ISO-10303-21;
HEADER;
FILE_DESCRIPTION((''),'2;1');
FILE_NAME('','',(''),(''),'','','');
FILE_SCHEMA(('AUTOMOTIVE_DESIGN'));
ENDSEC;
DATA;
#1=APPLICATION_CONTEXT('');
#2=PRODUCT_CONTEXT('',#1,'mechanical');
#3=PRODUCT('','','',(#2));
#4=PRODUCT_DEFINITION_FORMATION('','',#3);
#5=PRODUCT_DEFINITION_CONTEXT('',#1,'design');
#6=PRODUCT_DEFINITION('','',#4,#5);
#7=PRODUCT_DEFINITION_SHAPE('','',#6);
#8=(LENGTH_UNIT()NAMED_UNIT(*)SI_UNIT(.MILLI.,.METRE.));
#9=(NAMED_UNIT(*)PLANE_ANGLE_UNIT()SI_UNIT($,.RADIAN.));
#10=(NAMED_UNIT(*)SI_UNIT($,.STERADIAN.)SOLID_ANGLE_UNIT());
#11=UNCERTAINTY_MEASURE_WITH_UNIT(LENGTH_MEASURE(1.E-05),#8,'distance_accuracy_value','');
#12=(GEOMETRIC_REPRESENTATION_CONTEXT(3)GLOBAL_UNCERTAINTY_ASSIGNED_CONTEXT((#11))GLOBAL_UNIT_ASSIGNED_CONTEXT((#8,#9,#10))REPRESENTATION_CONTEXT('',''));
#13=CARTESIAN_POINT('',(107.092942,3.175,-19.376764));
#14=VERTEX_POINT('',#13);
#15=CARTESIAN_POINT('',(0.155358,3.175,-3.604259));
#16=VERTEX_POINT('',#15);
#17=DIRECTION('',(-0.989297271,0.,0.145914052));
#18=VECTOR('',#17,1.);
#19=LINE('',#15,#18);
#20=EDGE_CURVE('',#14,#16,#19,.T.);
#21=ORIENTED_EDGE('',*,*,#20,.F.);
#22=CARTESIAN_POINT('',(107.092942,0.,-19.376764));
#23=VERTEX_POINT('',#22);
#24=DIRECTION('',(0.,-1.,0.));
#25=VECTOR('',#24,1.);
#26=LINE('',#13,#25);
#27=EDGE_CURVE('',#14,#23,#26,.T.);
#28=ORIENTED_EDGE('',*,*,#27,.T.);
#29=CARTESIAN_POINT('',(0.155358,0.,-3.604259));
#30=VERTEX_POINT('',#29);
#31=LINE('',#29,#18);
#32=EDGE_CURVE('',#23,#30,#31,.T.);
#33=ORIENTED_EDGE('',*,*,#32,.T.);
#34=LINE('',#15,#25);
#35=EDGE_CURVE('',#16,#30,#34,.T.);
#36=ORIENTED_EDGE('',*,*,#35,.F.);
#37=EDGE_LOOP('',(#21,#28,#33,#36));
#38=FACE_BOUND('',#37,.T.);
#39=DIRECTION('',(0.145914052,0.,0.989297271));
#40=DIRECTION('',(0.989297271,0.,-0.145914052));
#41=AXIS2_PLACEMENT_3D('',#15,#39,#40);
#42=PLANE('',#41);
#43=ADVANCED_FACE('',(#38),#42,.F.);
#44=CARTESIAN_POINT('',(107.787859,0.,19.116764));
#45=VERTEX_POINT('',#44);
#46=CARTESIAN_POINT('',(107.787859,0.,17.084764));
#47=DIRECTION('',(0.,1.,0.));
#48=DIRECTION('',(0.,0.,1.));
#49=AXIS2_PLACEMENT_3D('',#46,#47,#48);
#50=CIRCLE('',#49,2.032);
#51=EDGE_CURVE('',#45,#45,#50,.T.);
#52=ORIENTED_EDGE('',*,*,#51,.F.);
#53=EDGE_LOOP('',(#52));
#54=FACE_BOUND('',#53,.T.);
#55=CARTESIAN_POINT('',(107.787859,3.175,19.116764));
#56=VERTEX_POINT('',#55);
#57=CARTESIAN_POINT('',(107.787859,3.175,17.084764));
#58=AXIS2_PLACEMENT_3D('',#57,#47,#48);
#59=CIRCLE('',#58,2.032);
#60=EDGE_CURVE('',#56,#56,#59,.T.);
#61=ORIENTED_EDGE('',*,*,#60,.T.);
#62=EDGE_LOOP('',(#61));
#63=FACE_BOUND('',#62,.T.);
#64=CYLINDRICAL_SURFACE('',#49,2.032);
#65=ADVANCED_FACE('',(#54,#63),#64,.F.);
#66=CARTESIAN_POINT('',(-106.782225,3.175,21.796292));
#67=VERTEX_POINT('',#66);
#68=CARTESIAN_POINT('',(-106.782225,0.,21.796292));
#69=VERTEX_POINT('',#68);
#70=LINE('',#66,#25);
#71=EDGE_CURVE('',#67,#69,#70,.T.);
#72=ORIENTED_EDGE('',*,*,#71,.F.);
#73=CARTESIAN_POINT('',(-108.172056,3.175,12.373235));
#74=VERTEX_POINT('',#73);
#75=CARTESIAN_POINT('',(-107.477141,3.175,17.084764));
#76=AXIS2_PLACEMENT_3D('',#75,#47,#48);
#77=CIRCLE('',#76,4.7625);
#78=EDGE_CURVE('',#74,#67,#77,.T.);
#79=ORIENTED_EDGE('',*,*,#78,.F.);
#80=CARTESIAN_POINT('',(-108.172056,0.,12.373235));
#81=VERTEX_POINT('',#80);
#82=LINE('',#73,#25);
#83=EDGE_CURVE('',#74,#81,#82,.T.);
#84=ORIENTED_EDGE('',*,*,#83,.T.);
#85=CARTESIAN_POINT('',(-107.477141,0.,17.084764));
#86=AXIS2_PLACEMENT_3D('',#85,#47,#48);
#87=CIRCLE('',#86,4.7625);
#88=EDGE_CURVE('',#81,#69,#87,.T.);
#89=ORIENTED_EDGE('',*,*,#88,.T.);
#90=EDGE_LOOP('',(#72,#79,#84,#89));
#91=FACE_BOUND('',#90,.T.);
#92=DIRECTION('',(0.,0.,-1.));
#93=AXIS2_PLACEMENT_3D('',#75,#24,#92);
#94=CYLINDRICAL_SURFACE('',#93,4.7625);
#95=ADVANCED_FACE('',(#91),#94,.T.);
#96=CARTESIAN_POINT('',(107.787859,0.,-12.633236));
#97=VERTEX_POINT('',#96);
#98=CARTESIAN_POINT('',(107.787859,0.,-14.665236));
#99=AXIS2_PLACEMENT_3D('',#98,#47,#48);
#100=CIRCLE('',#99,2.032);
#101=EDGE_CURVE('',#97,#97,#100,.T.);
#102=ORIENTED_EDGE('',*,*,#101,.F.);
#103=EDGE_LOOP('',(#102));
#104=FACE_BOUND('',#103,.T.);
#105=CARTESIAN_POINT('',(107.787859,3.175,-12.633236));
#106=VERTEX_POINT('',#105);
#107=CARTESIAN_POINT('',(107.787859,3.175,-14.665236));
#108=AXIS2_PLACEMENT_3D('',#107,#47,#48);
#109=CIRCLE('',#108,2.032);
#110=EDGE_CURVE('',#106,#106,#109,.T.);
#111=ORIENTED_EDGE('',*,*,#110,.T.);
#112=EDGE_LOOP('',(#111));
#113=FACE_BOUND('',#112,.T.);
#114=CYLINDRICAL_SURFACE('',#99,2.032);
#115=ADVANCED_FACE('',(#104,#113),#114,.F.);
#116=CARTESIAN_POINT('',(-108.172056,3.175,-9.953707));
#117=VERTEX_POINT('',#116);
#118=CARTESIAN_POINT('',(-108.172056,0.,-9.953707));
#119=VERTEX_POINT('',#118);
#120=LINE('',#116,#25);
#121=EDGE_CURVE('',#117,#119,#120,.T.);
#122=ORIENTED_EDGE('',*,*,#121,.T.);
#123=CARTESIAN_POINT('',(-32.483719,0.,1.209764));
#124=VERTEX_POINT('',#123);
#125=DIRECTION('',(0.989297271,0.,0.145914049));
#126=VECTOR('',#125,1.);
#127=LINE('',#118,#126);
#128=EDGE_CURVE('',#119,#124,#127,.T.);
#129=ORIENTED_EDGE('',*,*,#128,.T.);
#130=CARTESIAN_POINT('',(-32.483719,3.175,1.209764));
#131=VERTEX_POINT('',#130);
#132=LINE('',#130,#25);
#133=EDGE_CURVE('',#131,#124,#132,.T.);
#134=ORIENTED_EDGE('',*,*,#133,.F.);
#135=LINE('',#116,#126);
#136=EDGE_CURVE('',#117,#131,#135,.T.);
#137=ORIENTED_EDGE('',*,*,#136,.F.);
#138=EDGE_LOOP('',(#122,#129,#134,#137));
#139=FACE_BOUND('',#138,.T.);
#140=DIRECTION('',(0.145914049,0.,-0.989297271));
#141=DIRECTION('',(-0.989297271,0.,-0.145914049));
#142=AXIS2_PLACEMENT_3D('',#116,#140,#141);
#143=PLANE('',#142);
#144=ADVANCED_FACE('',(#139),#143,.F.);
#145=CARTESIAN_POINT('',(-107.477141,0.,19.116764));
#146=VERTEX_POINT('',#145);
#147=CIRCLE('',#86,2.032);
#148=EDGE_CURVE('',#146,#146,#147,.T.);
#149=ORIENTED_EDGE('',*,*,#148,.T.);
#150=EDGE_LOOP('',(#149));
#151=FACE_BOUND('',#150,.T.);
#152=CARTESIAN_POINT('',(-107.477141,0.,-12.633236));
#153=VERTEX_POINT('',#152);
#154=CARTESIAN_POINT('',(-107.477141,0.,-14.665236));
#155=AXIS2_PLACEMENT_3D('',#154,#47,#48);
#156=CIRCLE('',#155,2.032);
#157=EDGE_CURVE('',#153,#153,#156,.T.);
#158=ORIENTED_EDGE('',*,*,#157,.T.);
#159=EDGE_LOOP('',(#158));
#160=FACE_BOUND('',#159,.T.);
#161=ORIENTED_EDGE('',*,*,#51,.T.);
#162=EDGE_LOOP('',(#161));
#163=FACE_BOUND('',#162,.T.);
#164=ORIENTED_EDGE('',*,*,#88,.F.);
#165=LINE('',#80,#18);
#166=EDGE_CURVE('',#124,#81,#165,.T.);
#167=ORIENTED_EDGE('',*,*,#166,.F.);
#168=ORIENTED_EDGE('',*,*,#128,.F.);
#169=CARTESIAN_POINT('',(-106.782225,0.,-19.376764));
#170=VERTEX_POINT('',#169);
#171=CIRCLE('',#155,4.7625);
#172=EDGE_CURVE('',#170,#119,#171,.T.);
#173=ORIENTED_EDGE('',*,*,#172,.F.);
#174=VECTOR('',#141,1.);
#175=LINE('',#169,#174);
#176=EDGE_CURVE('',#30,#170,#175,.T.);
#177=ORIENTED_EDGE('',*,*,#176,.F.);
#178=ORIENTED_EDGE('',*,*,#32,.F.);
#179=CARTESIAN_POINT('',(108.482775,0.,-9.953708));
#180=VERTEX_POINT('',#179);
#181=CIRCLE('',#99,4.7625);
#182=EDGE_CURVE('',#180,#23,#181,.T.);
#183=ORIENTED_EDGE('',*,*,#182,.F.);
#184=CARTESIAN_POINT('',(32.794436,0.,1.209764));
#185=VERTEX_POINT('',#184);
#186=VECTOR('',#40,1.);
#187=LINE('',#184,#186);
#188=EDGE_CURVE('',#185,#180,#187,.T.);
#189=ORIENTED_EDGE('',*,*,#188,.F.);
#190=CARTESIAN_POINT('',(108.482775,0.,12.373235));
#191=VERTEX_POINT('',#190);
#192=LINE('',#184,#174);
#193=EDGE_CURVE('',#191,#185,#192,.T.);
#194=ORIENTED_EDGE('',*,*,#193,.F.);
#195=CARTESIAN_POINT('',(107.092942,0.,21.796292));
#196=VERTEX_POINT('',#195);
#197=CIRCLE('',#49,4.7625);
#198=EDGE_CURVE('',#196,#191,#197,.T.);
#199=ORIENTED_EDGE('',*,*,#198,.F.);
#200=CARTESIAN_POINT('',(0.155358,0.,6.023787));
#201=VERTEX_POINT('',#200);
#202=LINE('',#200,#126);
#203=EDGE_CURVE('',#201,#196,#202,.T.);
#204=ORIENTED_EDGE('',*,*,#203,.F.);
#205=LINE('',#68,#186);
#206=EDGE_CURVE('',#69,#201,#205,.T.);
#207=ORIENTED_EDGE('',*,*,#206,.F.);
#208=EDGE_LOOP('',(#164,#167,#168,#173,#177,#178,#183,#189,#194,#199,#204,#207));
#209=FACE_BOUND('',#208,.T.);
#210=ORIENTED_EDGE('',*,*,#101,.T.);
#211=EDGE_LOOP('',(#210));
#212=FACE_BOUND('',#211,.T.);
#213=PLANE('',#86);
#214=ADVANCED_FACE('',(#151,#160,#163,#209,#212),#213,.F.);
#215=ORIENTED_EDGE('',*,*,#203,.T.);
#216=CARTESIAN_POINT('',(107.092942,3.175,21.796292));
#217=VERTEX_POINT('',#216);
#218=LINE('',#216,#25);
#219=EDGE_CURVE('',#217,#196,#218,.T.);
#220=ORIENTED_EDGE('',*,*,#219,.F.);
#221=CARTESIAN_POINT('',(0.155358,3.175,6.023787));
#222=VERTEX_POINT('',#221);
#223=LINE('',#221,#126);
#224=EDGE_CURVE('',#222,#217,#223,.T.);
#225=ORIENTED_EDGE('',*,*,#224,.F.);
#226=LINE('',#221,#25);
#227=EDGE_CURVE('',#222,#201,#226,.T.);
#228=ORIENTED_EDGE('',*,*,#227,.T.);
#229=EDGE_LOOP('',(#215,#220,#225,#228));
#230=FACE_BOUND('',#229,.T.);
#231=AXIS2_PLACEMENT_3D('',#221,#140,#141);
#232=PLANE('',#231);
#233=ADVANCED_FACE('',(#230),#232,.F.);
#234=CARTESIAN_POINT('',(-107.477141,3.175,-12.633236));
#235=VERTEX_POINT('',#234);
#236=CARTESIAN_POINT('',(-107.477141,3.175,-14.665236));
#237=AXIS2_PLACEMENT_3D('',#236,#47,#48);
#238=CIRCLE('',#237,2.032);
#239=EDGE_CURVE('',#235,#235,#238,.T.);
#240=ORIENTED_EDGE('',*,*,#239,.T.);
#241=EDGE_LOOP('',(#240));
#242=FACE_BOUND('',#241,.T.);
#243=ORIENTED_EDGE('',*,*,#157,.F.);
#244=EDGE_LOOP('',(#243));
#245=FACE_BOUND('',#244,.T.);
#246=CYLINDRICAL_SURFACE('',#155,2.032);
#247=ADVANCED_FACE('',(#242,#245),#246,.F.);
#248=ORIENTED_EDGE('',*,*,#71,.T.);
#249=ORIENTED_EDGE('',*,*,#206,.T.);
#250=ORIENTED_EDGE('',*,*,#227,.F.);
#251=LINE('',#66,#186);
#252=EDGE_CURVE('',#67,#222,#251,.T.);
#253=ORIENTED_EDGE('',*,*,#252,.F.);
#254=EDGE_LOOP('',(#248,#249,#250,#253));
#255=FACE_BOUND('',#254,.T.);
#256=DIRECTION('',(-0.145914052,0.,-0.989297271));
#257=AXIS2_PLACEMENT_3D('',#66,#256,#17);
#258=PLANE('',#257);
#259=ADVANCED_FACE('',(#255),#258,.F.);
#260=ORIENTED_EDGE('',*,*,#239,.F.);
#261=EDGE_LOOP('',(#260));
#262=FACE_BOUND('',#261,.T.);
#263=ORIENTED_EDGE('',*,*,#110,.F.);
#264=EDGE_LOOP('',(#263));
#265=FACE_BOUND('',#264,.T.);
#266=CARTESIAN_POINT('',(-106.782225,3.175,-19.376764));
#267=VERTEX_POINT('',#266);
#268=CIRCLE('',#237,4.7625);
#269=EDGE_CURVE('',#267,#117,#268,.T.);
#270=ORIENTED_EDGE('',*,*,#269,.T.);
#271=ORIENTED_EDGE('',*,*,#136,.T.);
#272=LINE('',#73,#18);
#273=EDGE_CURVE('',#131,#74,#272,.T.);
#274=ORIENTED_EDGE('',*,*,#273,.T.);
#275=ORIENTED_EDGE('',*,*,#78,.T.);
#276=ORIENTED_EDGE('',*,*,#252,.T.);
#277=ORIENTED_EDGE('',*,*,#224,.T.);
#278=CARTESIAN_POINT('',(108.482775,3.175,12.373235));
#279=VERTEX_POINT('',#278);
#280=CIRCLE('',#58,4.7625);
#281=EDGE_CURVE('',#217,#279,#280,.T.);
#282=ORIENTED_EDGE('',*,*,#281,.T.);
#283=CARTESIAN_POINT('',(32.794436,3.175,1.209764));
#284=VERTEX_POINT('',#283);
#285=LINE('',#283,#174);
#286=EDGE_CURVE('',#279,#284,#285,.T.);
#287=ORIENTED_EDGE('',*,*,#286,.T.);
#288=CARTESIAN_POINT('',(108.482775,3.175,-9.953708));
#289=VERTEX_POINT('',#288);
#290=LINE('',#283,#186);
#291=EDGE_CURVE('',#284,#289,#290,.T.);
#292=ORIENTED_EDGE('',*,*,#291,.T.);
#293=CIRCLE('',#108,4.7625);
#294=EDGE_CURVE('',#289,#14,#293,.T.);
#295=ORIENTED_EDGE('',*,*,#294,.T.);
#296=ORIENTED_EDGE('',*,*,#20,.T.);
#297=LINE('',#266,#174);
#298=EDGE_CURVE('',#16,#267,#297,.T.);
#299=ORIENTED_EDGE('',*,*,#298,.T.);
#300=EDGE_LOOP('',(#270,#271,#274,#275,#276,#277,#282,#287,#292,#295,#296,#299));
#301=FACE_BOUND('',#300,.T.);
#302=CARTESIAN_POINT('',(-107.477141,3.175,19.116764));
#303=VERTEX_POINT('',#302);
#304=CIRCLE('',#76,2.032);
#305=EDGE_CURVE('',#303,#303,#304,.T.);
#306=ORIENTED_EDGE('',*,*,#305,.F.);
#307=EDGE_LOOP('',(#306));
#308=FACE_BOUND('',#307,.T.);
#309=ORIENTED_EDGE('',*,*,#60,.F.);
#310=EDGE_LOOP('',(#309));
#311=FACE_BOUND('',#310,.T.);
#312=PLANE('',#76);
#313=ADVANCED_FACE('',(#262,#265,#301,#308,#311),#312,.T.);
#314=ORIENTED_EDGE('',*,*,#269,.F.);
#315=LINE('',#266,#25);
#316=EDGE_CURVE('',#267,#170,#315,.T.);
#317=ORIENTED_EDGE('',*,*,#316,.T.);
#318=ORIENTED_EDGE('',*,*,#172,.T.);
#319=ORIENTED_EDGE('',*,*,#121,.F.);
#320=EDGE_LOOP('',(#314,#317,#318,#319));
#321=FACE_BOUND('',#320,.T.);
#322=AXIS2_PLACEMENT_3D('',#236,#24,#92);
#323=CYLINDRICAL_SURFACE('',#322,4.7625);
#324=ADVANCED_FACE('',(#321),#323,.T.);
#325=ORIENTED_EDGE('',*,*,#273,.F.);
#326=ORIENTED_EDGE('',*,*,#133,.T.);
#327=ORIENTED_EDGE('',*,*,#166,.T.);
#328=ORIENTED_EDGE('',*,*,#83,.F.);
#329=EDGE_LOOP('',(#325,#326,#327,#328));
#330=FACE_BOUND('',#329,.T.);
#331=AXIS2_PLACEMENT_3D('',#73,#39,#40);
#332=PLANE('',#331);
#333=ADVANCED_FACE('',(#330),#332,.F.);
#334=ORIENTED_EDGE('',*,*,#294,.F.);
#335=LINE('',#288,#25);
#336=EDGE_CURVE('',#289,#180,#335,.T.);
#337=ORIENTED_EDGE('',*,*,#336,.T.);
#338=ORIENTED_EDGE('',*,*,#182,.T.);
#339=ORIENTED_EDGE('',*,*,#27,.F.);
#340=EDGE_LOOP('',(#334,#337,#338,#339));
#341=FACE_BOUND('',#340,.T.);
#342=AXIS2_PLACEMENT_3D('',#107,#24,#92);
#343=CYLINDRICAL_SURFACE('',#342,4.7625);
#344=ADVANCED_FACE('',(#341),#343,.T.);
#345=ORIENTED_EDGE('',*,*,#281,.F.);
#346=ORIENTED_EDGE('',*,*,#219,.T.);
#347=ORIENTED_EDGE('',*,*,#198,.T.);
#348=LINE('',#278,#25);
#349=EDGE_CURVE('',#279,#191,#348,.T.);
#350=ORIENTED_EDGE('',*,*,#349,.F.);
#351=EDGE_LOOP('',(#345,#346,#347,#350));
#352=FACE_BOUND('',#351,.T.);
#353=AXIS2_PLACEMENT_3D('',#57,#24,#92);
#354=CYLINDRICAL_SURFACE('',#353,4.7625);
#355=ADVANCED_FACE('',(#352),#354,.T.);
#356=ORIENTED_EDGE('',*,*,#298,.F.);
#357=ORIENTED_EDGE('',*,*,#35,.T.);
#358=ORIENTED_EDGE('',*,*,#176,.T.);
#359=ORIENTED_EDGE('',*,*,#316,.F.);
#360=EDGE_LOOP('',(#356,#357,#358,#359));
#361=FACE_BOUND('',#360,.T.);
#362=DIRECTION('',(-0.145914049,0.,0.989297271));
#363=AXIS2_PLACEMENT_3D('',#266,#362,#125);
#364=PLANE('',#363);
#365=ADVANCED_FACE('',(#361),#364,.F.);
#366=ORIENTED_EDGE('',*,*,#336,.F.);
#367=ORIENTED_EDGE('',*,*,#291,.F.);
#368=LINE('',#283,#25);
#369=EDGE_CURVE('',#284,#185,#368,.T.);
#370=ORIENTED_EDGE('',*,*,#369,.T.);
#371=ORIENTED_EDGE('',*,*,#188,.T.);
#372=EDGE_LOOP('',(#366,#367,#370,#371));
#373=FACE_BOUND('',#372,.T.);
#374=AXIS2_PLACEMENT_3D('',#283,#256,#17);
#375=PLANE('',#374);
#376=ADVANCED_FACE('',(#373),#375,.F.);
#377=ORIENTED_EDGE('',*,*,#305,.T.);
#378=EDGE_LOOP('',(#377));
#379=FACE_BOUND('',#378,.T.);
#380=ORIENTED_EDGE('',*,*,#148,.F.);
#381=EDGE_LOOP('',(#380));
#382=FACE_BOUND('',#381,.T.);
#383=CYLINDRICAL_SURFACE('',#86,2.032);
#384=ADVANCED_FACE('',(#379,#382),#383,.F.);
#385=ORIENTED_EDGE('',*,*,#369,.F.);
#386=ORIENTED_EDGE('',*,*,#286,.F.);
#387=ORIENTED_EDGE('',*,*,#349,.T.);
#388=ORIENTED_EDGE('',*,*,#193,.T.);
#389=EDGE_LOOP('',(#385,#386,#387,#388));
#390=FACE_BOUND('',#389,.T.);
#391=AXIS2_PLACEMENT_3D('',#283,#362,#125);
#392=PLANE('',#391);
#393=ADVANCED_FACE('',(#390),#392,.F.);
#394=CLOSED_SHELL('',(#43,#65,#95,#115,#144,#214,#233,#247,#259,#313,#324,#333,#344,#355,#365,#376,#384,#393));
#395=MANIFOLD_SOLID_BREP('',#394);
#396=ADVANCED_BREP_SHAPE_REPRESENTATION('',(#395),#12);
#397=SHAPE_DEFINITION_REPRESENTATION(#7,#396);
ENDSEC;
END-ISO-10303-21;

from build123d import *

# Parameters (mm, degrees)
BOSS_EXTRUDE1_DEPTH = 3.175
SKETCH2_R           = 2.032
CUT_EXTRUDE1_DEPTH  = 115.695104393


with BuildPart() as part:
    # Sketch1 → Boss-Extrude1 (new body)
    with BuildSketch(Plane(origin=(0, 0, 0), x_dir=(1, 0, 0), z_dir=(0, 1, 0))):
        with BuildLine():
            Line((-108.172056186, -12.373235341), (-32.483719252, -1.209763817))
            Line((-32.483719252, -1.209763817), (-108.172056172, 9.953707462))
            ThreePointArc((-108.172056172, 9.953707462), (-112.188668788, 15.360151236), (-106.782225129, 19.376764008))
            Line((-106.782225129, 19.376764008), (0.155358302, 3.604259421))
            Line((0.155358302, 3.604259421), (107.092941684, 19.376764345))
            ThreePointArc((107.092941684, 19.376764345), (112.499387579, 15.360153144), (108.482775156, 9.953708157))
            Line((108.482775156, 9.953708157), (32.794435872, -1.209763714))
            Line((32.794435872, -1.209763714), (108.482775141, -12.373235339))
            ThreePointArc((108.482775141, -12.373235339), (112.499387585, -17.779680288), (107.092941749, -21.796291538))
            Line((107.092941749, -21.796291538), (0.155358318, -6.023786952))
            Line((0.155358318, -6.023786952), (-106.782225064, -21.796291875))
            ThreePointArc((-106.782225064, -21.796291875), (-112.188668782, -17.779679153), (-108.172056186, -12.373235341))
        make_face()
    extrude(amount=BOSS_EXTRUDE1_DEPTH)

    # Sketch2 → Cut-Extrude1 (cut, through all)
    with BuildSketch(Plane(origin=(0, 3.175, 0), x_dir=(1, 0, 0), z_dir=(0, 1, 0))):
        with Locations(Location((-107.477140515, 14.665235715, 0), (0, 0, 270))):
            Circle(SKETCH2_R)
        with Locations(Location((-107.477140515, -17.084763592, 0), (0, 0, 270))):
            Circle(SKETCH2_R)
        with Locations(Location((107.787859485, 14.665236408, 0), (0, 0, 270))):
            Circle(SKETCH2_R)
        with Locations(Location((107.787859485, -17.084763592, 0), (0, 0, 270))):
            Circle(SKETCH2_R)
    extrude(amount=-CUT_EXTRUDE1_DEPTH, mode=Mode.SUBTRACT)


solid = part.part
